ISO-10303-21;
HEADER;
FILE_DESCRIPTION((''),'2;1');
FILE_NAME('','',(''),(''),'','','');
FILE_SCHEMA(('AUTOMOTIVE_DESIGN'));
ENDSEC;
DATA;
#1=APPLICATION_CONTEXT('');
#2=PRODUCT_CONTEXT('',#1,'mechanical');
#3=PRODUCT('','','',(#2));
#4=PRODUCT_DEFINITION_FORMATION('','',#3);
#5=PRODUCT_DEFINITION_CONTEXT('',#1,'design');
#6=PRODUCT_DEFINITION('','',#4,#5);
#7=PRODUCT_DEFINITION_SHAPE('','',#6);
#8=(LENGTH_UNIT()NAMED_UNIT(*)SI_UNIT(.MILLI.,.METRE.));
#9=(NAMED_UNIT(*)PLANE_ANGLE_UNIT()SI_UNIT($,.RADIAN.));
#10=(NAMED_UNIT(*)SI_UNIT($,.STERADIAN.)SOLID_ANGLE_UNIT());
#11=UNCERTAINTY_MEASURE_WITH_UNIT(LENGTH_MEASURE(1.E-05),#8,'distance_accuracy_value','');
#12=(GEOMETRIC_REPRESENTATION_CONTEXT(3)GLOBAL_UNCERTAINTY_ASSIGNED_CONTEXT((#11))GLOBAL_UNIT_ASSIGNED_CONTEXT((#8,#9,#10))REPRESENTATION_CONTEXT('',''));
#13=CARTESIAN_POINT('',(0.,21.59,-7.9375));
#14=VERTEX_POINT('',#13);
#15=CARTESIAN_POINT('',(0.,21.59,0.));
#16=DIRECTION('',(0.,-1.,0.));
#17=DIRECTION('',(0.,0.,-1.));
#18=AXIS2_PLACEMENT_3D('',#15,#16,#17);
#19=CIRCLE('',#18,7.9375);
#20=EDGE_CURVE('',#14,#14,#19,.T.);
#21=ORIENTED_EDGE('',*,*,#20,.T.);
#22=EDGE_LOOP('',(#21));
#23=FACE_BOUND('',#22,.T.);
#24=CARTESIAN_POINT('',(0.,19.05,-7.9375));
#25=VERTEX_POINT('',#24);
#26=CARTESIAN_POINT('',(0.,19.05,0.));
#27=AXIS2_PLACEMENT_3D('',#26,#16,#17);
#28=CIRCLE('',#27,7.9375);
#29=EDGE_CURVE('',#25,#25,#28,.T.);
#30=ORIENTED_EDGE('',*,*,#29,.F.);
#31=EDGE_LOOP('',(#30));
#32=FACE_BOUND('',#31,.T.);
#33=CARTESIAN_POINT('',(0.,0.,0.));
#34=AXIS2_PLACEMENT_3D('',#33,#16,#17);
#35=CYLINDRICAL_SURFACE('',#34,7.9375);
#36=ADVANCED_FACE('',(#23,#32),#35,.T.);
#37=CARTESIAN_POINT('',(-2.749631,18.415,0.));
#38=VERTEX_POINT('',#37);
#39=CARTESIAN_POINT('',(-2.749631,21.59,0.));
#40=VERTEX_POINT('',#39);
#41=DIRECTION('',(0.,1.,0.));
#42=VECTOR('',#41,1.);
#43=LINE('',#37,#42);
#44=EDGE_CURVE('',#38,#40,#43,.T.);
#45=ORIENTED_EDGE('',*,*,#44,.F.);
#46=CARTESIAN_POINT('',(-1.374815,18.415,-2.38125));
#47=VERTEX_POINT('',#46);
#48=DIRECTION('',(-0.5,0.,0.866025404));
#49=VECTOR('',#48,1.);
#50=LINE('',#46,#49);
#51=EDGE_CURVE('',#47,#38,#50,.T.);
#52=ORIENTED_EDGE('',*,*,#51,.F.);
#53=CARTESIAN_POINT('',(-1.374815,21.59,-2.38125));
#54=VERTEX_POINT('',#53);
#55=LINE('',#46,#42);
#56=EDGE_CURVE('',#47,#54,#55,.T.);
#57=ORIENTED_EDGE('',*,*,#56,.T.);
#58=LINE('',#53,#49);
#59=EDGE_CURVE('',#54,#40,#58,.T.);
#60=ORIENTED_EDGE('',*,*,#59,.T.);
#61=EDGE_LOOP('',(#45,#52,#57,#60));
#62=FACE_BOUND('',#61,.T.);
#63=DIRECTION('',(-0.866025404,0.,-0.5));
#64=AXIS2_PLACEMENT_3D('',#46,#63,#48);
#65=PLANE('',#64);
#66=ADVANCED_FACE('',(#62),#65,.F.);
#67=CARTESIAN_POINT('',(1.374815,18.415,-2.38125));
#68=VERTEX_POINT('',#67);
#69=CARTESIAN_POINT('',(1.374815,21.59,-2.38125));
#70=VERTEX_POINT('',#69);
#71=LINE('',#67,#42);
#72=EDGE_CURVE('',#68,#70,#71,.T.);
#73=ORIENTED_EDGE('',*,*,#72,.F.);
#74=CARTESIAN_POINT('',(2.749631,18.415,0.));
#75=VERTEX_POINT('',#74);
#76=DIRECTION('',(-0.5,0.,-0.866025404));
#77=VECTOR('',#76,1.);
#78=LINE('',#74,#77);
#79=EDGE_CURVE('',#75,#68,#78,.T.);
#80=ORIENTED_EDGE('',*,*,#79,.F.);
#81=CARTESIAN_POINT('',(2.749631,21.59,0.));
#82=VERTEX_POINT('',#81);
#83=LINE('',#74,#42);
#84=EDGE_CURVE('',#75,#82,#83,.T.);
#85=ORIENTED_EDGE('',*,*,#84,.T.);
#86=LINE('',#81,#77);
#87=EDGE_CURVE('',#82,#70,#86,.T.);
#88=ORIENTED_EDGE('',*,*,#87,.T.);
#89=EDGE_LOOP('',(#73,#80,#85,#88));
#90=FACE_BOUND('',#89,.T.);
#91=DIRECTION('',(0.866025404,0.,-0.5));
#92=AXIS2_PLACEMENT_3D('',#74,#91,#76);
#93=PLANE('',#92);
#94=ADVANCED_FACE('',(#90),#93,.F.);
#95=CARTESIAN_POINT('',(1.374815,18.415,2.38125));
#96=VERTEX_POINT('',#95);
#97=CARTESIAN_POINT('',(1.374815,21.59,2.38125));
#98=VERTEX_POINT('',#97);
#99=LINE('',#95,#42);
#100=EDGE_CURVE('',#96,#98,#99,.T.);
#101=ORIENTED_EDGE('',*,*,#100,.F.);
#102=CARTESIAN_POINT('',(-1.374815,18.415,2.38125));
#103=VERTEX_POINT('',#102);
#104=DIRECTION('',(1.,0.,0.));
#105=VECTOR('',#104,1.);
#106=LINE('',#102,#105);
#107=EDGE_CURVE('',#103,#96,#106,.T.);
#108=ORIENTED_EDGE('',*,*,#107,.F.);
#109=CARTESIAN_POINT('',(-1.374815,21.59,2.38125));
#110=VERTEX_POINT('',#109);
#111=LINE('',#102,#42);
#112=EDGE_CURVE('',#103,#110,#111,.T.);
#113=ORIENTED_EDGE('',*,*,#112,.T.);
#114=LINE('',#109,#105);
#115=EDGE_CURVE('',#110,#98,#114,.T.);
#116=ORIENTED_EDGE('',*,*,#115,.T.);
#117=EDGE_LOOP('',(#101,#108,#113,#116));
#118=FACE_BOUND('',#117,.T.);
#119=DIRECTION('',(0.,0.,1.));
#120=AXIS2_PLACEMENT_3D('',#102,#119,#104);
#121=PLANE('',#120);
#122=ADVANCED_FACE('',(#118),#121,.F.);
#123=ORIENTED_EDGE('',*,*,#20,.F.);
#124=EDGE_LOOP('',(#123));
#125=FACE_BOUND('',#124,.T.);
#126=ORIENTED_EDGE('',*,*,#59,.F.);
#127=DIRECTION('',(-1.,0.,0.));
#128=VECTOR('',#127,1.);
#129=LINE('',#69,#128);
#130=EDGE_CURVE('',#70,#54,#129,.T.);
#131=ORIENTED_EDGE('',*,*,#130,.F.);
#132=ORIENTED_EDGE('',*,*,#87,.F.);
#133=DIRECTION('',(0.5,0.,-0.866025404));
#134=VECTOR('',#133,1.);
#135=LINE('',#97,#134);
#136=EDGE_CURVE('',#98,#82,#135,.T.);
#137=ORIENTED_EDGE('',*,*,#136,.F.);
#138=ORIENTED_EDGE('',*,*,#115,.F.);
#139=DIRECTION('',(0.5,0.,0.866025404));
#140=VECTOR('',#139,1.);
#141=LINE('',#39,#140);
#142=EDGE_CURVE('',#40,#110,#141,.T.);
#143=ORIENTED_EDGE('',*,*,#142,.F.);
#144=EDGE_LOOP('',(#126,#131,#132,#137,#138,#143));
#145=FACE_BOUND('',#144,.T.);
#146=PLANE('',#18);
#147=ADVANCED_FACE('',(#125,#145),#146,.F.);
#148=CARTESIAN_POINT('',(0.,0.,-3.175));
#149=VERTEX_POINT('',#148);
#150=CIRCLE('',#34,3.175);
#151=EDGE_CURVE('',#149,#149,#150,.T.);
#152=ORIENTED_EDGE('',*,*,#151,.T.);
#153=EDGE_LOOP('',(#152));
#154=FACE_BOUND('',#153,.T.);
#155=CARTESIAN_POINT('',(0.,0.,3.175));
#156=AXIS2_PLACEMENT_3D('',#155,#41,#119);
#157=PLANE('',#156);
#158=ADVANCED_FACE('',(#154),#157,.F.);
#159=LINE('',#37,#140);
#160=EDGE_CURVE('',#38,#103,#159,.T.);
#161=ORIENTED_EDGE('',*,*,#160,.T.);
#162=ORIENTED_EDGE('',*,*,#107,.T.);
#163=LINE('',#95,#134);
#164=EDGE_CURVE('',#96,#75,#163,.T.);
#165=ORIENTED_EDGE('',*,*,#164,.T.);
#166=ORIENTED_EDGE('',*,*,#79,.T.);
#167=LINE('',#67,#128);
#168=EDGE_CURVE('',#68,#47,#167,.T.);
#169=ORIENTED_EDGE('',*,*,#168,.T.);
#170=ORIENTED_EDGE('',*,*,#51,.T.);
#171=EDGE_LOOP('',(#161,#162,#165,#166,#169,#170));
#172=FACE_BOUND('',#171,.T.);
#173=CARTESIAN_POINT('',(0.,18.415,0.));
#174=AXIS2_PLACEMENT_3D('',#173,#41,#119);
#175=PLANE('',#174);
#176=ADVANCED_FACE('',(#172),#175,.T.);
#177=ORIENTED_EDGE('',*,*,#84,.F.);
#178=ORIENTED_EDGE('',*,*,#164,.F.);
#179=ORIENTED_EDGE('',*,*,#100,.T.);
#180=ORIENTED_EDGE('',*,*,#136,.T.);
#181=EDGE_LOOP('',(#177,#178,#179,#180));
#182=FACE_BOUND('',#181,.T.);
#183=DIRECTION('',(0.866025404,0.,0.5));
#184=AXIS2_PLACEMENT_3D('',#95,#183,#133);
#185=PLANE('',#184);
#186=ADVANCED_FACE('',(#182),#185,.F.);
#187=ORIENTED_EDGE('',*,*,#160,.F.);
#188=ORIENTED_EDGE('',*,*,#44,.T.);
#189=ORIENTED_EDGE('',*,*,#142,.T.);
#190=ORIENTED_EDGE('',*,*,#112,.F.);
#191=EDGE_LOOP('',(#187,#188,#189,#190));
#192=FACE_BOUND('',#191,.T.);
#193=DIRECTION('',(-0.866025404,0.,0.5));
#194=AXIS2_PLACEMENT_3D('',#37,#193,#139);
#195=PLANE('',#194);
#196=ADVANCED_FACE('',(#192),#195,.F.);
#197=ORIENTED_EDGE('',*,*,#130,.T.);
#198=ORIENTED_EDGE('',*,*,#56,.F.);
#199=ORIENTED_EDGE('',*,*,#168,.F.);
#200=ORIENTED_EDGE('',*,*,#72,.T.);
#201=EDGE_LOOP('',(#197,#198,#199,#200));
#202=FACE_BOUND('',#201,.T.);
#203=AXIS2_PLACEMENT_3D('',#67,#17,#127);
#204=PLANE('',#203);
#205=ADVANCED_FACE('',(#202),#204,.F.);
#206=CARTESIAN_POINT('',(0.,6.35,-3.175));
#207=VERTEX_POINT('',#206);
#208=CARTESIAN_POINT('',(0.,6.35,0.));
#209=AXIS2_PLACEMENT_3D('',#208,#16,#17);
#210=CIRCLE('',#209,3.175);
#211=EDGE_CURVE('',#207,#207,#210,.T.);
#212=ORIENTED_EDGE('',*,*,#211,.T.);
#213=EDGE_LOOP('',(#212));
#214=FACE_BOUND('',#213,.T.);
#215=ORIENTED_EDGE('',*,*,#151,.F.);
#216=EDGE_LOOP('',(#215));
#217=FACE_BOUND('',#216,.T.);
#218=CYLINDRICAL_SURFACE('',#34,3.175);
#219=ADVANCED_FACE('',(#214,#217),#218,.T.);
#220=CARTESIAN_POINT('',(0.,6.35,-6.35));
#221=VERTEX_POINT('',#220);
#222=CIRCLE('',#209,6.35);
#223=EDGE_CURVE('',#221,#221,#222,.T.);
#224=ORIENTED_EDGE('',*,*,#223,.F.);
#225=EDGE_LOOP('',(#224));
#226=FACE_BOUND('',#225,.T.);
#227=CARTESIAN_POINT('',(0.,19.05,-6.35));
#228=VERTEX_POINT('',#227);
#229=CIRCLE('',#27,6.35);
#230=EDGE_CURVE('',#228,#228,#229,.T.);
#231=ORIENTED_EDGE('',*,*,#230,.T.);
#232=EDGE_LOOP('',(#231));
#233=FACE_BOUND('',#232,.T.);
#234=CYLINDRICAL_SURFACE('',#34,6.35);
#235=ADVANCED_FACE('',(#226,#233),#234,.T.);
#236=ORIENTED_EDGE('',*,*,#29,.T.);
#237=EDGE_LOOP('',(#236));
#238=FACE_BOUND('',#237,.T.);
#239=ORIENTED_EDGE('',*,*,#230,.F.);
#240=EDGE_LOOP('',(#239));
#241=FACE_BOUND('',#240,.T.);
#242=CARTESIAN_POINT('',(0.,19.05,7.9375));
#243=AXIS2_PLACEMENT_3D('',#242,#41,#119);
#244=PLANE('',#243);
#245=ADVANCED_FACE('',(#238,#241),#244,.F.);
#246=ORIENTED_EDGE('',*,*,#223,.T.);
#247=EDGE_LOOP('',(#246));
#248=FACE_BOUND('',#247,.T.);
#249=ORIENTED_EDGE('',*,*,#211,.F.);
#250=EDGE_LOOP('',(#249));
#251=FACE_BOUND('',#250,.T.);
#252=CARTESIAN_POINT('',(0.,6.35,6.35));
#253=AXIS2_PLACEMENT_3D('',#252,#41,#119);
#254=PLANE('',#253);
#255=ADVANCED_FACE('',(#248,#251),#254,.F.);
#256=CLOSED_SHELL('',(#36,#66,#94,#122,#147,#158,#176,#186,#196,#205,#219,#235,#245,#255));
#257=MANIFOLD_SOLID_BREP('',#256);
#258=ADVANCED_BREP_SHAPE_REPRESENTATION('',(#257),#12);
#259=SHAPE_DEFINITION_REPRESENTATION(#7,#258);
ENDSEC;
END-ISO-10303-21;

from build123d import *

# Parameters (mm, degrees)
CUT_EXTRUDE1_DEPTH = 3.175


with BuildPart() as part:
    # Sketch1 → Revolve1 (revolve)
    with BuildSketch(Plane(origin=(0, 0, 0), x_dir=(0, 0, -1), z_dir=(1, 0, 0)), mode=Mode.PRIVATE) as revolve1_sk:
        Polygon((0, 0), (0, 21.59), (-7.9375, 21.59), (-7.9375, 19.05), (-6.35, 19.05), (-6.35, 6.35), (-3.175, 6.35), (-3.175, 0), align=None)
    revolve(revolve1_sk.sketch.rotate(Axis((0, 0, 0), (0, 1, 0)), 180), axis=Axis((0, 0, 0), (0, 1, 0)))

    # Sketch2 → Cut-Extrude1 (cut)
    with BuildSketch(Plane(origin=(0, 21.59, 0), x_dir=(1, 0, 0), z_dir=(0, 1, 0))):
        Polygon((-1.374815329, 2.38125), (-2.749630657, 0), (-1.374815329, -2.38125), (1.374815329, -2.38125), (2.749630657, 0), (1.374815329, 2.38125), align=None)
    extrude(amount=-CUT_EXTRUDE1_DEPTH, mode=Mode.SUBTRACT)


solid = part.part
